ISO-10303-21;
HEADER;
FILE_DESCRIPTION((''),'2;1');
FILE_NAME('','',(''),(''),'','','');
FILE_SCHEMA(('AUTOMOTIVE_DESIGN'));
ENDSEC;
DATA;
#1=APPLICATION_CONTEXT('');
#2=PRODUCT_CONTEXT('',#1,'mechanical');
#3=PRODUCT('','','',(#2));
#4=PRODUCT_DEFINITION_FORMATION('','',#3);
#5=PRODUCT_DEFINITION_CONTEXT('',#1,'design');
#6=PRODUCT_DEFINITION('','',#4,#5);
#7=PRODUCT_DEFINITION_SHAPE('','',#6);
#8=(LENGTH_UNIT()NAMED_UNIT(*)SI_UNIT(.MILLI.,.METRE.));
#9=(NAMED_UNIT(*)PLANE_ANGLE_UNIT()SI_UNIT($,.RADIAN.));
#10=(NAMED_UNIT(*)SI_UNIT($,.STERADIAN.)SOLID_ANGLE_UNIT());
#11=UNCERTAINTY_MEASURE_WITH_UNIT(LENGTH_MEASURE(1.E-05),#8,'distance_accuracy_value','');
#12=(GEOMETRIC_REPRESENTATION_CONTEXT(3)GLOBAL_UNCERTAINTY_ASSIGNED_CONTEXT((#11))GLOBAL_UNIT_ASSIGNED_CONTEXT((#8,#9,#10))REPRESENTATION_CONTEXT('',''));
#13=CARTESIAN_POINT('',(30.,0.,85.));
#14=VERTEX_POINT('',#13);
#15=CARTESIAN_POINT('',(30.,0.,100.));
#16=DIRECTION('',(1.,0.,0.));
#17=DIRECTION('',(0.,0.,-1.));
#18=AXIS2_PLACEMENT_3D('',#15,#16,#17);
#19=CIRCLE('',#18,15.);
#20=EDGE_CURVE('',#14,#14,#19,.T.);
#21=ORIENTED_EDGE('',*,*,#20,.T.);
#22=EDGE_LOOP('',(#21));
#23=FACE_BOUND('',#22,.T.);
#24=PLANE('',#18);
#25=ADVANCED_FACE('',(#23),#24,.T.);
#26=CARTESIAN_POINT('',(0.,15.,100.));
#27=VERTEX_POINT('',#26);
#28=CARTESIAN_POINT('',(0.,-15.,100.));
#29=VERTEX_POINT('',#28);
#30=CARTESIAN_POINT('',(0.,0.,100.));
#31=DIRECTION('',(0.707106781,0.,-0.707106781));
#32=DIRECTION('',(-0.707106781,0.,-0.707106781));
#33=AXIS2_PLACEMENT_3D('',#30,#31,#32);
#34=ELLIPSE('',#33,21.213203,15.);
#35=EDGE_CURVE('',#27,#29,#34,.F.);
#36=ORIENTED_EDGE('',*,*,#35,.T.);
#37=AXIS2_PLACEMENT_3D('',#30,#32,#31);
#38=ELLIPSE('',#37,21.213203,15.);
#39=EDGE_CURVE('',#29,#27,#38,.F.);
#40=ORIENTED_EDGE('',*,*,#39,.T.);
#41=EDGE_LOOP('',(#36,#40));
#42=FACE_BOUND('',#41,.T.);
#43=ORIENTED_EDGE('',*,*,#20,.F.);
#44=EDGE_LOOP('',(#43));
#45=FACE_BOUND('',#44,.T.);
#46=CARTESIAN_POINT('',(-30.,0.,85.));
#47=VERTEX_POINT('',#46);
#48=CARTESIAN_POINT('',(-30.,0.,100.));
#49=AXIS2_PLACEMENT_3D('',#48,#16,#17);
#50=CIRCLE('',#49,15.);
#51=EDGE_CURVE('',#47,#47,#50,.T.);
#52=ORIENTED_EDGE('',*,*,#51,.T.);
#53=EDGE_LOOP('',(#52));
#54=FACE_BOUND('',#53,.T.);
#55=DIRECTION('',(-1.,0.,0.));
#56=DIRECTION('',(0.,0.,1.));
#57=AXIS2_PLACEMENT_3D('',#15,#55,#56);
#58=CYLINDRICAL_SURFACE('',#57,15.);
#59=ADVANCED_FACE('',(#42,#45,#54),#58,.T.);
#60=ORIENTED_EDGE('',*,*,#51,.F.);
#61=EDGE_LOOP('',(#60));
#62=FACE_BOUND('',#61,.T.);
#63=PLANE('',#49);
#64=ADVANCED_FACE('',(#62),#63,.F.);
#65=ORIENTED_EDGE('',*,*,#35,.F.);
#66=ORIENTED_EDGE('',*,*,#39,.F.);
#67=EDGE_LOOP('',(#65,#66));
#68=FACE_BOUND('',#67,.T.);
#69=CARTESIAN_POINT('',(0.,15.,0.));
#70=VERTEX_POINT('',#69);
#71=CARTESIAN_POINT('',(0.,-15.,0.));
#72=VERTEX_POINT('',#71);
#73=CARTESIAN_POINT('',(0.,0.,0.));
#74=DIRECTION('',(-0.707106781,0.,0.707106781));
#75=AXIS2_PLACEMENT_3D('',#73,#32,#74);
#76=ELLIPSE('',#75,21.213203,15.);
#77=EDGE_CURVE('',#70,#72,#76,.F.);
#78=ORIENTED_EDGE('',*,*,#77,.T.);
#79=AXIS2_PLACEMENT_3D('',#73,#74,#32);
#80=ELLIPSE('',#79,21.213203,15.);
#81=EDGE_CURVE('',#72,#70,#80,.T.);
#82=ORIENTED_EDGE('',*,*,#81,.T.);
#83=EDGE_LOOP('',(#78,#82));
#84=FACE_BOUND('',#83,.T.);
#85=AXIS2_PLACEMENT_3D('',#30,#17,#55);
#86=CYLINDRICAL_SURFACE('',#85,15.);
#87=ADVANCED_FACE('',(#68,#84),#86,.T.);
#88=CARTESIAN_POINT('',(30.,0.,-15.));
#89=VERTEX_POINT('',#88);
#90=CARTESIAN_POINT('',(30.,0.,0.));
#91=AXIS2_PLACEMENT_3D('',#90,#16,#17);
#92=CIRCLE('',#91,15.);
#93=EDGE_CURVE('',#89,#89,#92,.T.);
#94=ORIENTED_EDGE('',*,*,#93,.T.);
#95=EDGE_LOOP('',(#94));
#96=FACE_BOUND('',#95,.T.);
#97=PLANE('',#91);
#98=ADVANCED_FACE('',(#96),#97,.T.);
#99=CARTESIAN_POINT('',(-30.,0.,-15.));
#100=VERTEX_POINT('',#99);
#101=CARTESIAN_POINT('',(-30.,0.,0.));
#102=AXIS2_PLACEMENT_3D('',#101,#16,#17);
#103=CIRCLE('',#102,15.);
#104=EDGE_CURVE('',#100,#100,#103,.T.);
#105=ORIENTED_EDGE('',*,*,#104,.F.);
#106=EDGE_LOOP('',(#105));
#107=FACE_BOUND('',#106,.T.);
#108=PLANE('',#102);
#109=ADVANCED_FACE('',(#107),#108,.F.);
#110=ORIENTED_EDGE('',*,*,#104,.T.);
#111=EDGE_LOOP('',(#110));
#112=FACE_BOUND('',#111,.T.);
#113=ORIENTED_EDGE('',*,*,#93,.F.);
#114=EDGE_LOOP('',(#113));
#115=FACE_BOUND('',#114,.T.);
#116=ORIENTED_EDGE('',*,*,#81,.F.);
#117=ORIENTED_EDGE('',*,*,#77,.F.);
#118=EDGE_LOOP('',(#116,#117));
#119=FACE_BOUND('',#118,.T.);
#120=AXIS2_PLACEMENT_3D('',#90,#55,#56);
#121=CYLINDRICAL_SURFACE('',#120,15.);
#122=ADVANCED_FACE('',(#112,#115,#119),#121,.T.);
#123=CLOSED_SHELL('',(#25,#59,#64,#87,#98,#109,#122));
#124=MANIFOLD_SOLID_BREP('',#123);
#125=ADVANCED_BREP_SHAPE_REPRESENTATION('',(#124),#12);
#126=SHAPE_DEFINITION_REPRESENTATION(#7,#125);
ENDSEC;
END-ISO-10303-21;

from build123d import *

# Parameters (mm, degrees)
SKETCH_7_R      = 15
EXTRUDE_5_DEPTH = 30
SKETCH_8_R      = 15
EXTRUDE_6_DEPTH = 100
SKETCH_9_R      = 15
EXTRUDE_7_DEPTH = 30


with BuildPart() as part:
    # 草图7 → 凸台-拉伸5 (new, symmetric)
    with BuildSketch(Plane(origin=(0, 0, 0), x_dir=(0, 0, -1), z_dir=(1, 0, 0))):
        with Locations(Location((0, 0, 0), (0, 0, 180))):
            Circle(SKETCH_7_R)
    extrude(amount=EXTRUDE_5_DEPTH, both=True)

    # 草图8 → 凸台-拉伸6 (add)
    with BuildSketch(Plane.XY):
        with Locations(Location((0, 0, 0), (0, 0, 90))):
            Circle(SKETCH_8_R)
    extrude(amount=EXTRUDE_6_DEPTH)

    # 草图9 → 凸台-拉伸7 (add, symmetric)
    with BuildSketch(Plane(origin=(0, 0, 0), x_dir=(0, 0, -1), z_dir=(1, 0, 0))):
        with Locations((-100, 0)):
            Circle(SKETCH_9_R)
    extrude(amount=EXTRUDE_7_DEPTH, both=True)


solid = part.part
